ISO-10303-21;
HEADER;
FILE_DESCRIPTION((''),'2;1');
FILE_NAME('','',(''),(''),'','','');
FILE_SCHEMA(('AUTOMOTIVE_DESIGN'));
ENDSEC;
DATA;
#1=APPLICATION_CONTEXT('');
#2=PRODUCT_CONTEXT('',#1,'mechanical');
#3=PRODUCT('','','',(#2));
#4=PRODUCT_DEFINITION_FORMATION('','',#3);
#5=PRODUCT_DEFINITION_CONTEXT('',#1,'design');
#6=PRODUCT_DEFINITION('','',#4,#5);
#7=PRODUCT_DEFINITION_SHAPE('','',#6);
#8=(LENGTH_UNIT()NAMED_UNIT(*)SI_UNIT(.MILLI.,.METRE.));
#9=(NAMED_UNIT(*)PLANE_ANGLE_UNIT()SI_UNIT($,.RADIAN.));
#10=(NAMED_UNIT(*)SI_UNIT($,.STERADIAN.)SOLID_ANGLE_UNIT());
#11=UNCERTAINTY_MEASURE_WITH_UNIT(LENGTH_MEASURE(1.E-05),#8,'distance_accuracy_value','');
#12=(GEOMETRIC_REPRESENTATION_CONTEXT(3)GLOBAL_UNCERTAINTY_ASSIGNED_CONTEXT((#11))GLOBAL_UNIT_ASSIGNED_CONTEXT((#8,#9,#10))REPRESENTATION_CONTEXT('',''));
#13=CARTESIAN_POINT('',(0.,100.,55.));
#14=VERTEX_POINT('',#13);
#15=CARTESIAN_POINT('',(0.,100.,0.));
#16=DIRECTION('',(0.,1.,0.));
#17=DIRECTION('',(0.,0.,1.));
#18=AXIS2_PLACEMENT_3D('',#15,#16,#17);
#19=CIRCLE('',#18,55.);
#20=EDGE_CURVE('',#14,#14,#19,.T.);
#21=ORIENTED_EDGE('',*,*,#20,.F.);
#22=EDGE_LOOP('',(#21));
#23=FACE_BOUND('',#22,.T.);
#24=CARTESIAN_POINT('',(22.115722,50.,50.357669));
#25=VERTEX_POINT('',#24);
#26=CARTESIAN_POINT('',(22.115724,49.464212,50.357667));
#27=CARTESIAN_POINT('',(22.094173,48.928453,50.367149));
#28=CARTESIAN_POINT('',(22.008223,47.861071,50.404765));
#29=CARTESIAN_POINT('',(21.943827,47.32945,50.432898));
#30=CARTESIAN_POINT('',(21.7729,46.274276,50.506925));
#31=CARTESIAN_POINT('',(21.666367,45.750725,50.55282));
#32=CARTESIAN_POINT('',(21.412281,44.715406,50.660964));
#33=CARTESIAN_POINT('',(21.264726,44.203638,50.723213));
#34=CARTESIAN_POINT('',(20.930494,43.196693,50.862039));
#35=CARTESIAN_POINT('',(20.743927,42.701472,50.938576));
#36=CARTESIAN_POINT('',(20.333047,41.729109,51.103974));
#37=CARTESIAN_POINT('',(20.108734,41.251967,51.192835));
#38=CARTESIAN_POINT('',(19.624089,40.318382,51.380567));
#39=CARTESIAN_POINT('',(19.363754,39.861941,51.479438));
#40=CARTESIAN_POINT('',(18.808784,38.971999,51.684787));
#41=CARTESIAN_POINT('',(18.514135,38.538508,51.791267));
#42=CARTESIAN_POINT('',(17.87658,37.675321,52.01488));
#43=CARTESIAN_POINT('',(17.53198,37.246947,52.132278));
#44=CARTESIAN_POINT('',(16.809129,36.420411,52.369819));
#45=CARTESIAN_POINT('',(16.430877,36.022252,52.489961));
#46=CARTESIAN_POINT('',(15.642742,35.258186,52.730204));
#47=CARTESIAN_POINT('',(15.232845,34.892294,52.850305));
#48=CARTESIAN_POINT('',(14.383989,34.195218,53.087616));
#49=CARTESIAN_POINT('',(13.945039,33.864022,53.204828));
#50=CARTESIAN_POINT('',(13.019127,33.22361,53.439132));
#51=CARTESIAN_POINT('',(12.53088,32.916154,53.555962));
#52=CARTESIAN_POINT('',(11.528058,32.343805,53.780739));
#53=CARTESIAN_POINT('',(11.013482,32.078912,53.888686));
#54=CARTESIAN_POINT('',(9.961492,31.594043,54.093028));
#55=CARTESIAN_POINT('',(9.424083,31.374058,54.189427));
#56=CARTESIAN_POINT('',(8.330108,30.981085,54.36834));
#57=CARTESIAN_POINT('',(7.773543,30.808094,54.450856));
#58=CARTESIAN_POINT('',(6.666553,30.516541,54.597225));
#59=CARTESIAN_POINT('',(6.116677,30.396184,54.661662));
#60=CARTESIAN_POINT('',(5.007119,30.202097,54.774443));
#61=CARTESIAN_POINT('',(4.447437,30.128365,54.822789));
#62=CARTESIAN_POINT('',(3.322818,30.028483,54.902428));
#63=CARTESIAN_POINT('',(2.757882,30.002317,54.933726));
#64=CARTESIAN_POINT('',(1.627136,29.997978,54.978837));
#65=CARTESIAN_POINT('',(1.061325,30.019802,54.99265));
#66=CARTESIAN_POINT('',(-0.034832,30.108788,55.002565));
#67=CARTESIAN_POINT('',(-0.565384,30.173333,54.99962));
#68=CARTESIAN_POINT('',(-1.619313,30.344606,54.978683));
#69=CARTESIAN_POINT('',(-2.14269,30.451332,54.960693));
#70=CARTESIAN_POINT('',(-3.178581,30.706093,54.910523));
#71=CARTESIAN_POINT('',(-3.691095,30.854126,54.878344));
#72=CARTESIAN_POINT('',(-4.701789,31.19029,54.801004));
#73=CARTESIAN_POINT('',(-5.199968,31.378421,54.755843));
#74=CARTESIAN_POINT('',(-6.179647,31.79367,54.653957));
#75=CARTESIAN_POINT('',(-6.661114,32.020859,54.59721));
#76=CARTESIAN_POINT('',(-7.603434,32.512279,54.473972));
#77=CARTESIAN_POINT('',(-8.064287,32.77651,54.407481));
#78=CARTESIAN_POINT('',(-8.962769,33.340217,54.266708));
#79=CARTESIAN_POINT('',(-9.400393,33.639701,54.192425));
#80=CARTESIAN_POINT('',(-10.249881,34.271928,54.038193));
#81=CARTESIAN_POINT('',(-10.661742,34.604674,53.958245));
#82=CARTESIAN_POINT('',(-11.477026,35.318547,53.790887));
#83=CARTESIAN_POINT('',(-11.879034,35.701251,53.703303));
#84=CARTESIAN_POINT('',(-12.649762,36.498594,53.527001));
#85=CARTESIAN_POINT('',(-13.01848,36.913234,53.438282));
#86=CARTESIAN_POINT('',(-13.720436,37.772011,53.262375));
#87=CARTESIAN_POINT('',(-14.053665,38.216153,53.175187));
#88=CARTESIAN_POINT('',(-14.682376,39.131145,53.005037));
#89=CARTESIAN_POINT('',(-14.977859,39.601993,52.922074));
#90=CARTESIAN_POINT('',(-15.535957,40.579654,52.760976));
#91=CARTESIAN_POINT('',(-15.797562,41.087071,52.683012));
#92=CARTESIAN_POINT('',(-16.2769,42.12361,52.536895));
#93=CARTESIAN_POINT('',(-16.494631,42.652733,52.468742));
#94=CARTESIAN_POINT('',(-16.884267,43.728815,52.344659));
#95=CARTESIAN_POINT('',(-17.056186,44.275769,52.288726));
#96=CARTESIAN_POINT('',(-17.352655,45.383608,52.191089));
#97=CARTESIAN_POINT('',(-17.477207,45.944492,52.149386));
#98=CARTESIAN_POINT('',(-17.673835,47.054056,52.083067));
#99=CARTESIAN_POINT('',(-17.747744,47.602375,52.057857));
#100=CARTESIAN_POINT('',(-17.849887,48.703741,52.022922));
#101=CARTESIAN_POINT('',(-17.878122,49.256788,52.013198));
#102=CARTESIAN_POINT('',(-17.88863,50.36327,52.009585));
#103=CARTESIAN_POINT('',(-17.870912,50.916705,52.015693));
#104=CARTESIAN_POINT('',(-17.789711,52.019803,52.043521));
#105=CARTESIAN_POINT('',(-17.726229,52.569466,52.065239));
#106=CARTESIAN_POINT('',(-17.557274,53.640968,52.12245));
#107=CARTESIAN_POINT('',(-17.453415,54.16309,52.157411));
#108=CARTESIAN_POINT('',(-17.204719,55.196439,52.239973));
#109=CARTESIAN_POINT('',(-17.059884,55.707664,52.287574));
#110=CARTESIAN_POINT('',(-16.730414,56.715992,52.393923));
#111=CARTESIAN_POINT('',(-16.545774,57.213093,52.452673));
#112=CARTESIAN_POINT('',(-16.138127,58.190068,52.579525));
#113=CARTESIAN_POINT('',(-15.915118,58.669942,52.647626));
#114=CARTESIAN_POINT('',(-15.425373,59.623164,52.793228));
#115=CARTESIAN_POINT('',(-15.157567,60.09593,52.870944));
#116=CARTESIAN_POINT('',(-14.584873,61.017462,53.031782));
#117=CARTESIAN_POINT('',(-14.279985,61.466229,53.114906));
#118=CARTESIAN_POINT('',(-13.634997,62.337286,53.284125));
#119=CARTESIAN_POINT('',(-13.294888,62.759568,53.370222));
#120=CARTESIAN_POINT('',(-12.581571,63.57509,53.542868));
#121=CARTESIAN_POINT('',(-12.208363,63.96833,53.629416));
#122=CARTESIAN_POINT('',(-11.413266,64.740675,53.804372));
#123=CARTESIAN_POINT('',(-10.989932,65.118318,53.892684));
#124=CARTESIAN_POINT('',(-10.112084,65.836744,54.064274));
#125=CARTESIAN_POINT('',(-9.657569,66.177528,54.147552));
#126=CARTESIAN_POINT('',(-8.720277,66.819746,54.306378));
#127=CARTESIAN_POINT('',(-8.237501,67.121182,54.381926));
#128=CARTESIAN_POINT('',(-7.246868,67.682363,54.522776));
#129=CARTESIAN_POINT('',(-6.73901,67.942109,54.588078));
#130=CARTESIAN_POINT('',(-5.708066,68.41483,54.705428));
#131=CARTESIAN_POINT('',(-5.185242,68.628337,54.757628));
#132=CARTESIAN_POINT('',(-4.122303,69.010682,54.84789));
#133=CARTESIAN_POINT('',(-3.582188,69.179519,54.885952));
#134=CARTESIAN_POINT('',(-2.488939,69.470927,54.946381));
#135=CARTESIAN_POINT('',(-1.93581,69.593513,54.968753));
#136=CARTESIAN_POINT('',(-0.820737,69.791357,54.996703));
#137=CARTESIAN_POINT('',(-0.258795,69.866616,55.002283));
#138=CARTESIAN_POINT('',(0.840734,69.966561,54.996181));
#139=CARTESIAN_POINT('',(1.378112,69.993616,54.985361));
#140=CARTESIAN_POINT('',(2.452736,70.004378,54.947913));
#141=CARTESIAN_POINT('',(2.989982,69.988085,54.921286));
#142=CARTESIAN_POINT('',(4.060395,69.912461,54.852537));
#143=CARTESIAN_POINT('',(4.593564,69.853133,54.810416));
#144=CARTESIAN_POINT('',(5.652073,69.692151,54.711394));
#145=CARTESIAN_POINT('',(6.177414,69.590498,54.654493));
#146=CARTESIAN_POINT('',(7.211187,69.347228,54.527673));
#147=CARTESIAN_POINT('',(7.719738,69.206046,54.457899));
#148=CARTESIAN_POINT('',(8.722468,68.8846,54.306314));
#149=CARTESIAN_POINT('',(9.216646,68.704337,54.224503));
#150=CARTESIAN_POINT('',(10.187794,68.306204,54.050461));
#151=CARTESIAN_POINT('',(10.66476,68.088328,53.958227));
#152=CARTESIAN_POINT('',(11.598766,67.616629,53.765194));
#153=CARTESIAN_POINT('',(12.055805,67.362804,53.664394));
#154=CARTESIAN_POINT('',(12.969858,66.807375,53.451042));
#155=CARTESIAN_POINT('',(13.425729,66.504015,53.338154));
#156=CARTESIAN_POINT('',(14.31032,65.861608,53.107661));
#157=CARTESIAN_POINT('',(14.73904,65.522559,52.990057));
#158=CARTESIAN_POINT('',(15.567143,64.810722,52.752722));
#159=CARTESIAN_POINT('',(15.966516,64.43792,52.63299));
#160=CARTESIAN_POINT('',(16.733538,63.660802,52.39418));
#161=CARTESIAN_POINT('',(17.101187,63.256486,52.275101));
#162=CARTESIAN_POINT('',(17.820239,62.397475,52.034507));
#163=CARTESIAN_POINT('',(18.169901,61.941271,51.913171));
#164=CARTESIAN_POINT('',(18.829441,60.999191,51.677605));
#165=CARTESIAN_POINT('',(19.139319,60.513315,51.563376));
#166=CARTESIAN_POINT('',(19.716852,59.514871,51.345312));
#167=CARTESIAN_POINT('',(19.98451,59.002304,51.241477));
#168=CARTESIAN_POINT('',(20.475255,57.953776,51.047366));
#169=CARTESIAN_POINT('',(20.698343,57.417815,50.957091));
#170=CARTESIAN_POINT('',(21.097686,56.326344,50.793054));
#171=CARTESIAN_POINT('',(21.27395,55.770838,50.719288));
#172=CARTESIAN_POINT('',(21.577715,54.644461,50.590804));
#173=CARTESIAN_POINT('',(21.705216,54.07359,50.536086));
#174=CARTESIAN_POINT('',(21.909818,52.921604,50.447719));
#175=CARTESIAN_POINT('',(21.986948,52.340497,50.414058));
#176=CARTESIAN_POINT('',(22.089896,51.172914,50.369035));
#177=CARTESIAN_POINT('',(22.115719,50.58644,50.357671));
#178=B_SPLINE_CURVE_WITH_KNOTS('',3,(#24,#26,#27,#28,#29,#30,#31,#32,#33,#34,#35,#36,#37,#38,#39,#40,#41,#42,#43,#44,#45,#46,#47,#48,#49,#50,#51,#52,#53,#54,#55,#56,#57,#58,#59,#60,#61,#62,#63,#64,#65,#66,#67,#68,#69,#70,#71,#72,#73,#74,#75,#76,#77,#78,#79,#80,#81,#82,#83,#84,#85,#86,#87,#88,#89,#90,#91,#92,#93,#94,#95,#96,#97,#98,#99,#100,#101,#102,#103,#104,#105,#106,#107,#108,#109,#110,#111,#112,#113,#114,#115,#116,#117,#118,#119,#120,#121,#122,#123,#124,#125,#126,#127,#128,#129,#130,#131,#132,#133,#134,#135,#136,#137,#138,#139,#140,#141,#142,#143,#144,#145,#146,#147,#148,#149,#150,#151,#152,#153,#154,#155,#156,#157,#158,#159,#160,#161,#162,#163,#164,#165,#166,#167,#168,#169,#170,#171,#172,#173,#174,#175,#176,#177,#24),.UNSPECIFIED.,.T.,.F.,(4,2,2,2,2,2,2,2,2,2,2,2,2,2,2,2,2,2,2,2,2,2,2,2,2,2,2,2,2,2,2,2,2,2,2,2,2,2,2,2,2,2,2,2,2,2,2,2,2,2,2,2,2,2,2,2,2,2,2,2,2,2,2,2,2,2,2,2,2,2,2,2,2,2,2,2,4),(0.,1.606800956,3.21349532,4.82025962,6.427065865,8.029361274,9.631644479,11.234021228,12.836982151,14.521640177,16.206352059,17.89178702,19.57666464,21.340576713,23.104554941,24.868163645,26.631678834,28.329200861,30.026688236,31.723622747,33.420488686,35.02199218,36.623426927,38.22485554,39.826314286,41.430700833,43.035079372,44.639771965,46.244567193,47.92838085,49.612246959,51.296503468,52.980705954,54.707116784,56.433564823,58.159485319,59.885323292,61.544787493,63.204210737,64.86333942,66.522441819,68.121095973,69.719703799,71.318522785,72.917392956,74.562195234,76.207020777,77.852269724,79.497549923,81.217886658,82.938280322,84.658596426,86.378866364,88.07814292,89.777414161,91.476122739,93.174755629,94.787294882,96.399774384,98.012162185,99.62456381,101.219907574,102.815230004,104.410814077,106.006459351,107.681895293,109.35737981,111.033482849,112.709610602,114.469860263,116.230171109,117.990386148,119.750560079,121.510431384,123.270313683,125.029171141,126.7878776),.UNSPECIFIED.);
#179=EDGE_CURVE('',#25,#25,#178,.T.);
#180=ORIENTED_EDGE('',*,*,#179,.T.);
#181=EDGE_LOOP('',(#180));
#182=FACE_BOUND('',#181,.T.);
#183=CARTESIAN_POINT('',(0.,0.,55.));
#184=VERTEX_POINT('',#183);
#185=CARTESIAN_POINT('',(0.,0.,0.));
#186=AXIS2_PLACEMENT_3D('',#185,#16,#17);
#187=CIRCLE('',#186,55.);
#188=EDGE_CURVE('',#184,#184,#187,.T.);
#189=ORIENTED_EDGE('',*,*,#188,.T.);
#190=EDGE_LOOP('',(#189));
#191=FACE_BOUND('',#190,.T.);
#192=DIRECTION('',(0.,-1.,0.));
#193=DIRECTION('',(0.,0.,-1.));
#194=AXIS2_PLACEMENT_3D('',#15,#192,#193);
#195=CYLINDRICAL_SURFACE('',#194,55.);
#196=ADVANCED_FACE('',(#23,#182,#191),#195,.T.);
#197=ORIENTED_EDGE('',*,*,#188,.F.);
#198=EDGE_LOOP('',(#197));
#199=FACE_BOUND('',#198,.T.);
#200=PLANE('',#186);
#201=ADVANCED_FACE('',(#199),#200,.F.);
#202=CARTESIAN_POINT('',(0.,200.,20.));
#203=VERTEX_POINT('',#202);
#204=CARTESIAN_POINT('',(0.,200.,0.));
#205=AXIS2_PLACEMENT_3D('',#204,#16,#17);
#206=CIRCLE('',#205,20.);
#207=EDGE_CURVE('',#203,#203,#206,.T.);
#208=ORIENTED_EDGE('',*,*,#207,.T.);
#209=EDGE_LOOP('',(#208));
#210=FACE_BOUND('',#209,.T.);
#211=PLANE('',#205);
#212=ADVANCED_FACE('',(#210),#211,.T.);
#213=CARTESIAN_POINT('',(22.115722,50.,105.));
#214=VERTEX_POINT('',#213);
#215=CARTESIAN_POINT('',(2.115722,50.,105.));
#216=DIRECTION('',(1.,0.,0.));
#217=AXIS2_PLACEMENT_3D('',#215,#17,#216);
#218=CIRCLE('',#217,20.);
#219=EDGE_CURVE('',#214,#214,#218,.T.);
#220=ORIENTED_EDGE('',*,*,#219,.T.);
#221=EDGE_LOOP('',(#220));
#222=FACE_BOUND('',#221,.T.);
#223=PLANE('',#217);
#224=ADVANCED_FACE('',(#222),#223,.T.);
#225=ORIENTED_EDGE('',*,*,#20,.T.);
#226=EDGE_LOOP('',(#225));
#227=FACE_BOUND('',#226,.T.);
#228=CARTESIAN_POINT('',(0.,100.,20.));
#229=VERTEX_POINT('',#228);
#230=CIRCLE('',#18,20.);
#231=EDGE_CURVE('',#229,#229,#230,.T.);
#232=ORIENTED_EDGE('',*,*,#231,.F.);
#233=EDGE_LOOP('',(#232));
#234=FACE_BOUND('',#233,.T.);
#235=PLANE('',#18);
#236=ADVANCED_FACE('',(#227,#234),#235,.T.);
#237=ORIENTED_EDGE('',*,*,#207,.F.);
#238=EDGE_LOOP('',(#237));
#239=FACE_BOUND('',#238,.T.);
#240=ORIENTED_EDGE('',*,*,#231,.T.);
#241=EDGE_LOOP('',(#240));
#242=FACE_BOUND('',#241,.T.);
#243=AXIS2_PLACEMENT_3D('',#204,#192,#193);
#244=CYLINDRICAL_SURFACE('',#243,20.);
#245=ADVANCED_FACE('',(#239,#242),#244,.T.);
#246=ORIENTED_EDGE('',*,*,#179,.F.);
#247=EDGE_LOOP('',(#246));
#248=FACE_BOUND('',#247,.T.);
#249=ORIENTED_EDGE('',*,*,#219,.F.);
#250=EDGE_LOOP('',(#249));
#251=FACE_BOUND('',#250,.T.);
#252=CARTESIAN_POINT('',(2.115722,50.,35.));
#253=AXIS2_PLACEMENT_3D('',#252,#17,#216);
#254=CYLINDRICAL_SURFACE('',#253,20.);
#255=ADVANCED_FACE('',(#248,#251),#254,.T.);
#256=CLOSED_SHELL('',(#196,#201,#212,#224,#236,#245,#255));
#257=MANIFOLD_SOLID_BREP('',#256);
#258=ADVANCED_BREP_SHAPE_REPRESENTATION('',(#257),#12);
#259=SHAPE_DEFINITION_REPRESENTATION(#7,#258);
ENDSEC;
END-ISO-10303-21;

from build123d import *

# Parameters (mm, degrees)
SKETCH1_R                = 55
BOSS_EXTRUDE1_DEPTH      = 100
SKETCH2_R                = 20
BOSS_EXTRUDE2_DEPTH      = 100
BOSS_EXTRUDE3_DEPTH      = 50
BOSS_EXTRUDE3_DEPTH_BACK = 20
SKETCH3_R                = 20


with BuildPart() as part:
    # Sketch1 → Boss-Extrude1 (new body)
    with BuildSketch(Plane(origin=(0, 0, 0), x_dir=(1, 0, 0), z_dir=(0, 1, 0))):
        with Locations(Location((0, 0, 0), (0, 0, 270))):
            Circle(SKETCH1_R)
    extrude(amount=BOSS_EXTRUDE1_DEPTH)

    # Sketch2 → Boss-Extrude2 (add)
    with BuildSketch(Plane(origin=(0, 100, 0), x_dir=(1, 0, 0), z_dir=(0, 1, 0))):
        with Locations(Location((0, 0, 0), (0, 0, 270))):
            Circle(SKETCH2_R)
    extrude(amount=BOSS_EXTRUDE2_DEPTH)

    # Sketch3 → Boss-Extrude3 (add, two sides: drawn at the far end of the back side and taken through both)
    with BuildSketch(Plane.XY.offset(55).offset(-BOSS_EXTRUDE3_DEPTH_BACK)):
        with Locations((2.115721614, 50)):
            Circle(SKETCH3_R)
    extrude(amount=BOSS_EXTRUDE3_DEPTH + BOSS_EXTRUDE3_DEPTH_BACK)


solid = part.part
